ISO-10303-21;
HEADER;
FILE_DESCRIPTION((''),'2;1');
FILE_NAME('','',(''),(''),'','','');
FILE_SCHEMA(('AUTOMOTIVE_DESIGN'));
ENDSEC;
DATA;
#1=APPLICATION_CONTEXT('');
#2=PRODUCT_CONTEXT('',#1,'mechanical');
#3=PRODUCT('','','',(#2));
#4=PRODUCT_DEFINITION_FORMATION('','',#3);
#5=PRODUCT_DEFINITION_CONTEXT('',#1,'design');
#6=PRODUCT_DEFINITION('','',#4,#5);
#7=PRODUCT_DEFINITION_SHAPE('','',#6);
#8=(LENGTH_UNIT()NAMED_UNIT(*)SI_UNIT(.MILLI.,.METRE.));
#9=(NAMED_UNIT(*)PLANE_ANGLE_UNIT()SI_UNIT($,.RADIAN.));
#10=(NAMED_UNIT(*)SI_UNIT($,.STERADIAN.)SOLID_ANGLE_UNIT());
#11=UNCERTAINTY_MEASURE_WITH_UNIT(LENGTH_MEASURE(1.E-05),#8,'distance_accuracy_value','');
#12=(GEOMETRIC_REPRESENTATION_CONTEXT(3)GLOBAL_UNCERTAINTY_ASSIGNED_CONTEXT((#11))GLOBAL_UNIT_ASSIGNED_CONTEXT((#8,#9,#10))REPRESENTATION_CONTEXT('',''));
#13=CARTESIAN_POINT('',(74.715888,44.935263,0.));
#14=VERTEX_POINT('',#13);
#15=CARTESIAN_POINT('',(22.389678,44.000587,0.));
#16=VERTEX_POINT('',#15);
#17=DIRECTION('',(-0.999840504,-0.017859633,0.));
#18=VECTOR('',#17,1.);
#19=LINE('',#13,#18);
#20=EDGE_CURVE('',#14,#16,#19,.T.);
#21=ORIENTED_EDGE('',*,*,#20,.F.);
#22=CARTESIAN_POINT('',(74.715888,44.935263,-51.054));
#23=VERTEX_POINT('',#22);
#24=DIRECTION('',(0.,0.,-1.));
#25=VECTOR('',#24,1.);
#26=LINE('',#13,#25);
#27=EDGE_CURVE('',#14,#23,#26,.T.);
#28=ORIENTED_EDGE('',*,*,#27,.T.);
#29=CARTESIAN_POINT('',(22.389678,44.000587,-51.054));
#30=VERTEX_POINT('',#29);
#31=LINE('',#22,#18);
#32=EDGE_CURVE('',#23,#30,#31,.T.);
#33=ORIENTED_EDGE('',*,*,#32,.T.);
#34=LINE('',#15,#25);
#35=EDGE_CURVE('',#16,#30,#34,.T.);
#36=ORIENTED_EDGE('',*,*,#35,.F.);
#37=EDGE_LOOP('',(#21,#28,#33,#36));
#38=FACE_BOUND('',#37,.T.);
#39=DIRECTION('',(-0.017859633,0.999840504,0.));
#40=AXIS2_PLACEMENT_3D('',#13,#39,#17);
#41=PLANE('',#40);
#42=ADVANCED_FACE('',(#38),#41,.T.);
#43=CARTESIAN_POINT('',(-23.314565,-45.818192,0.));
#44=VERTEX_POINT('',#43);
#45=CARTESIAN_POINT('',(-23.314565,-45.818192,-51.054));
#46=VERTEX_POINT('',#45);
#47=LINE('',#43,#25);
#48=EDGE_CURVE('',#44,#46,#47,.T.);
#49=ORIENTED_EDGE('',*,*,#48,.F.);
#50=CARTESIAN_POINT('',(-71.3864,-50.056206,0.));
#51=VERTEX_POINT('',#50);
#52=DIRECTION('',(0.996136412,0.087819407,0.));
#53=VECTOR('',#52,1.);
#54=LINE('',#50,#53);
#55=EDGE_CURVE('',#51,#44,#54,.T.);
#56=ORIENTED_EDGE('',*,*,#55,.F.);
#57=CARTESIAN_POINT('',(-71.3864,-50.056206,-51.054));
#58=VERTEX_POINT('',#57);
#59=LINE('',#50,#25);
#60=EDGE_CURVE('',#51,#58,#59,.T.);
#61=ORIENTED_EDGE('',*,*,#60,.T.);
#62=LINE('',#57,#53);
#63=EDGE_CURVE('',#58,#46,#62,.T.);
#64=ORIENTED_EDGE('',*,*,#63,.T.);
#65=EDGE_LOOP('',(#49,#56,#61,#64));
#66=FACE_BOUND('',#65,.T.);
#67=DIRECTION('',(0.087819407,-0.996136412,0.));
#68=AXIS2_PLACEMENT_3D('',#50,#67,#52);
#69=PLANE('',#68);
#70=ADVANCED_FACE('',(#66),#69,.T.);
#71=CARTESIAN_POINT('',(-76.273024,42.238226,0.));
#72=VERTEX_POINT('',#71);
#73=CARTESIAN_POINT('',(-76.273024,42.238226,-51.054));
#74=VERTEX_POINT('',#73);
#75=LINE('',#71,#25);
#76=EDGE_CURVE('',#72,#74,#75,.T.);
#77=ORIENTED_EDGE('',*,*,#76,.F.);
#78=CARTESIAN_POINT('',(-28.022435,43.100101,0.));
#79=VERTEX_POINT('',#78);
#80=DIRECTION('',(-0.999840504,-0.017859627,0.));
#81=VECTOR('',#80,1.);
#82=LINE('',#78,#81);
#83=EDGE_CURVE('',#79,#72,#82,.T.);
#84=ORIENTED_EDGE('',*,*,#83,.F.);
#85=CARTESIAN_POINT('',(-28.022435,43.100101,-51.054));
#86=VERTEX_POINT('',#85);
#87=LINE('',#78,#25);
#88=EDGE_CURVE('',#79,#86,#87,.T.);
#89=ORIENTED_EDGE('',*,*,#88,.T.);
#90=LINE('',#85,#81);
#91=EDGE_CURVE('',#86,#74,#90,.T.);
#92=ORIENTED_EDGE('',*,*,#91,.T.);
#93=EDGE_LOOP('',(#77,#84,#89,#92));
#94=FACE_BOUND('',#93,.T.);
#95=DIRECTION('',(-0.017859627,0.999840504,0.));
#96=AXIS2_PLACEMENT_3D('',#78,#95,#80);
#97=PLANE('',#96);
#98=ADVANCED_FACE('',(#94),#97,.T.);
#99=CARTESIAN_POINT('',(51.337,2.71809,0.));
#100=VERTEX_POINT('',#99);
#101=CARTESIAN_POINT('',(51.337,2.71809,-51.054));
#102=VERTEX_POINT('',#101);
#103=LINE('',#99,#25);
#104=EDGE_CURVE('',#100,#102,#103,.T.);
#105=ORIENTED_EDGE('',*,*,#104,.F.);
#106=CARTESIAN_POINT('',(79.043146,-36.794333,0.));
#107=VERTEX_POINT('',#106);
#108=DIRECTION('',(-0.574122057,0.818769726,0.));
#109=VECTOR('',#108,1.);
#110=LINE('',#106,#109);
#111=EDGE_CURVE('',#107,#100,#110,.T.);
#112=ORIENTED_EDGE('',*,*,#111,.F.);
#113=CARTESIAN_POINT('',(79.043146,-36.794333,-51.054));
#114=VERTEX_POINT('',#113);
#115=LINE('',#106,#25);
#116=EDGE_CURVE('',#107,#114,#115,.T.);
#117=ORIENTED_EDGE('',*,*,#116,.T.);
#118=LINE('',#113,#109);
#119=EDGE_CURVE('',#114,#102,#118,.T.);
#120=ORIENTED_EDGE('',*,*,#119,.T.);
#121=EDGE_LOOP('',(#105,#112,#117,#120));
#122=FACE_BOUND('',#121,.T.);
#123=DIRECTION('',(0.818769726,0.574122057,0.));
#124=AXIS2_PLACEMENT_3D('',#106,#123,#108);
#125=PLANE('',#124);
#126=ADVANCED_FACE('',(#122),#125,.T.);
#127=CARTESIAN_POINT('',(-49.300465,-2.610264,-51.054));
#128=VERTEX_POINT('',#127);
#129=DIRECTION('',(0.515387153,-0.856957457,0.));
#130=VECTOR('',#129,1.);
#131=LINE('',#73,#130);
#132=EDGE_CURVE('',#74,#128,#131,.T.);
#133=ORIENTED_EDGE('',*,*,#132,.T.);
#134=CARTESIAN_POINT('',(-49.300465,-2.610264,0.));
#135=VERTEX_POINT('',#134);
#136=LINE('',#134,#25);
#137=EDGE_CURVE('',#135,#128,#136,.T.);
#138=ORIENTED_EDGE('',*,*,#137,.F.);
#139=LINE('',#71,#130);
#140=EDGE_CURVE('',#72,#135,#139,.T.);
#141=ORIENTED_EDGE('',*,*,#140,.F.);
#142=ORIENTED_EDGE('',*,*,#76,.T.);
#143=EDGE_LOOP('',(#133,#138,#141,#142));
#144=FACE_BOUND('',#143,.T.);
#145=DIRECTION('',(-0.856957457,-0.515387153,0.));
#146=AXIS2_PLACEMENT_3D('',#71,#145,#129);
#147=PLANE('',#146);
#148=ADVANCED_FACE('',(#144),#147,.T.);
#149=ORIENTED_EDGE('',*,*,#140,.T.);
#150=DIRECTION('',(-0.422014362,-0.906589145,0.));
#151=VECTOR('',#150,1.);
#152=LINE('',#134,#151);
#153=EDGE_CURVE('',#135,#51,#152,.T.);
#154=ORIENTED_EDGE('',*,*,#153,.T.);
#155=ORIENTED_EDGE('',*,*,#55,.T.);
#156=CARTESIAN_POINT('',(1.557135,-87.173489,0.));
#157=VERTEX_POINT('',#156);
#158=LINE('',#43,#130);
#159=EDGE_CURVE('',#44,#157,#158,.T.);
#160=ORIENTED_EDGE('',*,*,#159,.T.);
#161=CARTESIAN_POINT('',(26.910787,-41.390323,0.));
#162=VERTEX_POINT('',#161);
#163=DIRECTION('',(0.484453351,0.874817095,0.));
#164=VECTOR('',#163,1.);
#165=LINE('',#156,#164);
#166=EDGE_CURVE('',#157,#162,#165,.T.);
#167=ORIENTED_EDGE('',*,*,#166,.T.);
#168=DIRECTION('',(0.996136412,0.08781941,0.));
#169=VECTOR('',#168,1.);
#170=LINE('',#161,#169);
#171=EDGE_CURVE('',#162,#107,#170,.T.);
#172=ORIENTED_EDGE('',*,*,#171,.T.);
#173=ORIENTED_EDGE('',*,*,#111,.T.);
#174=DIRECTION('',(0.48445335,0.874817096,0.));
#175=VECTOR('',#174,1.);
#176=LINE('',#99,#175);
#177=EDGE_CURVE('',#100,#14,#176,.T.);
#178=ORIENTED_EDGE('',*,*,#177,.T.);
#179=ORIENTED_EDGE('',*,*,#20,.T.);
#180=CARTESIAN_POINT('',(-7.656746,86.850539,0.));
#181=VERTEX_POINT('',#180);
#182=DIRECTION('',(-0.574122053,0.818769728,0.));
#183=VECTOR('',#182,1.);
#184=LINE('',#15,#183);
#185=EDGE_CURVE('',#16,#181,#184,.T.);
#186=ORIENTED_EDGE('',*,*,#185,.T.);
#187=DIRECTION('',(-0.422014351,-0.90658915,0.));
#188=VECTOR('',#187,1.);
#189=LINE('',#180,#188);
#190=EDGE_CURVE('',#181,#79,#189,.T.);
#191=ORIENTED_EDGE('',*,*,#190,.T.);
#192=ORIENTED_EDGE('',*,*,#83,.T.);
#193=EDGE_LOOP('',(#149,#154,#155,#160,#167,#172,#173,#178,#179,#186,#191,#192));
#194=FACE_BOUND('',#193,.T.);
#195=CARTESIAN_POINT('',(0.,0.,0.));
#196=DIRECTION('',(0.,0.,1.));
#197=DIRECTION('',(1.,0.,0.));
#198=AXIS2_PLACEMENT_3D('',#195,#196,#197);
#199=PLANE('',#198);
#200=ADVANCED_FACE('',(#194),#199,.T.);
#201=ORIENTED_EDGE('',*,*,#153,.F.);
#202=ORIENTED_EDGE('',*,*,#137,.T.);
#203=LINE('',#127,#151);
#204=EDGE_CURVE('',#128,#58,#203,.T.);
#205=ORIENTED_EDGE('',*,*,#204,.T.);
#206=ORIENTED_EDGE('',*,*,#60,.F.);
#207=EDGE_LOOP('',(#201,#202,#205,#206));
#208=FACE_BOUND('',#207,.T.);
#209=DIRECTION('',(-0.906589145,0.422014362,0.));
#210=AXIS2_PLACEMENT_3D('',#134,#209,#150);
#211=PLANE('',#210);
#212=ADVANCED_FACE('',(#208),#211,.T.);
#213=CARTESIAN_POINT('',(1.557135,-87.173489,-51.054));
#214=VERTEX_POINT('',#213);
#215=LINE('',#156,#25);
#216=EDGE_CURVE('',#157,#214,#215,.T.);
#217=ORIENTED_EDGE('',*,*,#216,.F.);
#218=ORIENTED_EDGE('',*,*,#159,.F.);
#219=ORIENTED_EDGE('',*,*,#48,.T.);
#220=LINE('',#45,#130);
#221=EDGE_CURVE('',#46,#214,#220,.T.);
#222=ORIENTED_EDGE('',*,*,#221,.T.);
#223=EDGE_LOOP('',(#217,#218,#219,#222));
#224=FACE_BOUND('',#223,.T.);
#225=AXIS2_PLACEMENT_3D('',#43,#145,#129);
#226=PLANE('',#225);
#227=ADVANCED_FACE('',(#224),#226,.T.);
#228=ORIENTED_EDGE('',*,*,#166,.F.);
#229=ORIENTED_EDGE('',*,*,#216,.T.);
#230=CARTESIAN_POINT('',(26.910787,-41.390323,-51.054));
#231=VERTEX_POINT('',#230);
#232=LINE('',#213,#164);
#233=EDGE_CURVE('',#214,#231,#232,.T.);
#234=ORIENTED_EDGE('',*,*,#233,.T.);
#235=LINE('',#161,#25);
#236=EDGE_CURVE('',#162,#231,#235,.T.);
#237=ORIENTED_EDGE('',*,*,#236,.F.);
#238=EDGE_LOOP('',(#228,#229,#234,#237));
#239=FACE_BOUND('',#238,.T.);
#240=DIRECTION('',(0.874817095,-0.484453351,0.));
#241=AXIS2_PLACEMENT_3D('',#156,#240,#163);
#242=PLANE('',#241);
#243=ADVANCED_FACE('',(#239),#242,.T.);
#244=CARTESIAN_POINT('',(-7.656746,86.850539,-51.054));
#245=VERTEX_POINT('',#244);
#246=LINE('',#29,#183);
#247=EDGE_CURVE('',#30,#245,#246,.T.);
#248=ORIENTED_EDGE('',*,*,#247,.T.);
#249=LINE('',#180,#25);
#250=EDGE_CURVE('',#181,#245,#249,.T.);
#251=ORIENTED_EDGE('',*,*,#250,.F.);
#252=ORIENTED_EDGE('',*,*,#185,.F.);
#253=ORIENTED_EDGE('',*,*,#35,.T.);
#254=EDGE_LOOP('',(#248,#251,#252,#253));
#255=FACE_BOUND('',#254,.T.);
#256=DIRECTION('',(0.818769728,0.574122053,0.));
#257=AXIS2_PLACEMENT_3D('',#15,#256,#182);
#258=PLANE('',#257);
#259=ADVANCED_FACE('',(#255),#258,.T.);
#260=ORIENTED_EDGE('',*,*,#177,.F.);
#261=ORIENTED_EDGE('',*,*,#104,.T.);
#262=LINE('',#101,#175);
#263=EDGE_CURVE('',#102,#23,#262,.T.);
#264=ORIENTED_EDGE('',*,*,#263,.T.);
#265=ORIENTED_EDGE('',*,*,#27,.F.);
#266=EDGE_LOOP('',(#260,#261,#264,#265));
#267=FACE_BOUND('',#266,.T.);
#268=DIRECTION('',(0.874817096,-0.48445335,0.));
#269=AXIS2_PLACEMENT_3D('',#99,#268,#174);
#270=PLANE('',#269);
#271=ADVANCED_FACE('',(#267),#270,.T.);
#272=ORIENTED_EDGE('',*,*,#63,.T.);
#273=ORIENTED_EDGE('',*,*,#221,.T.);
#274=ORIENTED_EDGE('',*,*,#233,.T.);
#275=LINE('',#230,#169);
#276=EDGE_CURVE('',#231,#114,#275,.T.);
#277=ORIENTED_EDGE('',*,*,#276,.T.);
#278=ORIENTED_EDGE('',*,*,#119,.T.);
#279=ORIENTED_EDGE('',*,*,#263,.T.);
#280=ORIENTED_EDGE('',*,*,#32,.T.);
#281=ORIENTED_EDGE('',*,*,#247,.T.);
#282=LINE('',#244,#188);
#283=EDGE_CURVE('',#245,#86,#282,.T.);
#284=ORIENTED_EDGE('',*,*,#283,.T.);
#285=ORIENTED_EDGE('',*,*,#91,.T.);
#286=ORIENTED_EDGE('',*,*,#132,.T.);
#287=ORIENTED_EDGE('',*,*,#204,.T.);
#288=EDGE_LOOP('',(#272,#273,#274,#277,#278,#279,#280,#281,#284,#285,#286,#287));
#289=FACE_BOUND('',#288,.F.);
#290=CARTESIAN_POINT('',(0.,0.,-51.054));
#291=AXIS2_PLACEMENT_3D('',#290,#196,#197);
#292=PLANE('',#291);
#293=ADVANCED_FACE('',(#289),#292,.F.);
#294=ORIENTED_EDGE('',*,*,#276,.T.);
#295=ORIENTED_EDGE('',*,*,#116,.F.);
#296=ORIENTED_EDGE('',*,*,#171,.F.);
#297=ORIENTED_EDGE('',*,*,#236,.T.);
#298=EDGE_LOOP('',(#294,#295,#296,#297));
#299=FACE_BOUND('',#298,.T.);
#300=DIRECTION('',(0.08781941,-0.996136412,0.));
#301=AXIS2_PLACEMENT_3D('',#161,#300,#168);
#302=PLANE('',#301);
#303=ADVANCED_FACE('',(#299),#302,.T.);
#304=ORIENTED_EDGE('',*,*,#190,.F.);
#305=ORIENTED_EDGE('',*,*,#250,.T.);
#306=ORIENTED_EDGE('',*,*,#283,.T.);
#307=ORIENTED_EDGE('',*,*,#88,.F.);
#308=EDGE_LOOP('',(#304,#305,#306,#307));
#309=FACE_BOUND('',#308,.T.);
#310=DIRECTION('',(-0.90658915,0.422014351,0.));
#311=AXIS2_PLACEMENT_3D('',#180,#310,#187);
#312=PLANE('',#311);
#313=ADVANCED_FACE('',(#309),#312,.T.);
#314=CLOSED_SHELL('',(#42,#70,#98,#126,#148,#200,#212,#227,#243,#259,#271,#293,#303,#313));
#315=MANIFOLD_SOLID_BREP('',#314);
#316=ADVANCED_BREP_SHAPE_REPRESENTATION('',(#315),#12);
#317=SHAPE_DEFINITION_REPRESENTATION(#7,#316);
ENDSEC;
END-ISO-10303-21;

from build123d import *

# Parameters (mm, degrees)
F1_DEPTH = 51.054


with BuildPart() as f1:
    # F0 (on Top) → F1 (new body)
    with BuildSketch(Plane.XY):
        Polygon((26.910787, -41.390323), (79.043146, -36.794333), (51.337, 2.71809), (74.715888, 44.935263), (22.389678, 44.000587), (-7.656746, 86.850539), (-28.022435, 43.100101), (-76.273024, 42.238226), (-49.300465, -2.610264), (-71.3864, -50.056206), (-23.314565, -45.818192), (1.557135, -87.173489), align=None)
    extrude(amount=-F1_DEPTH)


solid = f1.part
